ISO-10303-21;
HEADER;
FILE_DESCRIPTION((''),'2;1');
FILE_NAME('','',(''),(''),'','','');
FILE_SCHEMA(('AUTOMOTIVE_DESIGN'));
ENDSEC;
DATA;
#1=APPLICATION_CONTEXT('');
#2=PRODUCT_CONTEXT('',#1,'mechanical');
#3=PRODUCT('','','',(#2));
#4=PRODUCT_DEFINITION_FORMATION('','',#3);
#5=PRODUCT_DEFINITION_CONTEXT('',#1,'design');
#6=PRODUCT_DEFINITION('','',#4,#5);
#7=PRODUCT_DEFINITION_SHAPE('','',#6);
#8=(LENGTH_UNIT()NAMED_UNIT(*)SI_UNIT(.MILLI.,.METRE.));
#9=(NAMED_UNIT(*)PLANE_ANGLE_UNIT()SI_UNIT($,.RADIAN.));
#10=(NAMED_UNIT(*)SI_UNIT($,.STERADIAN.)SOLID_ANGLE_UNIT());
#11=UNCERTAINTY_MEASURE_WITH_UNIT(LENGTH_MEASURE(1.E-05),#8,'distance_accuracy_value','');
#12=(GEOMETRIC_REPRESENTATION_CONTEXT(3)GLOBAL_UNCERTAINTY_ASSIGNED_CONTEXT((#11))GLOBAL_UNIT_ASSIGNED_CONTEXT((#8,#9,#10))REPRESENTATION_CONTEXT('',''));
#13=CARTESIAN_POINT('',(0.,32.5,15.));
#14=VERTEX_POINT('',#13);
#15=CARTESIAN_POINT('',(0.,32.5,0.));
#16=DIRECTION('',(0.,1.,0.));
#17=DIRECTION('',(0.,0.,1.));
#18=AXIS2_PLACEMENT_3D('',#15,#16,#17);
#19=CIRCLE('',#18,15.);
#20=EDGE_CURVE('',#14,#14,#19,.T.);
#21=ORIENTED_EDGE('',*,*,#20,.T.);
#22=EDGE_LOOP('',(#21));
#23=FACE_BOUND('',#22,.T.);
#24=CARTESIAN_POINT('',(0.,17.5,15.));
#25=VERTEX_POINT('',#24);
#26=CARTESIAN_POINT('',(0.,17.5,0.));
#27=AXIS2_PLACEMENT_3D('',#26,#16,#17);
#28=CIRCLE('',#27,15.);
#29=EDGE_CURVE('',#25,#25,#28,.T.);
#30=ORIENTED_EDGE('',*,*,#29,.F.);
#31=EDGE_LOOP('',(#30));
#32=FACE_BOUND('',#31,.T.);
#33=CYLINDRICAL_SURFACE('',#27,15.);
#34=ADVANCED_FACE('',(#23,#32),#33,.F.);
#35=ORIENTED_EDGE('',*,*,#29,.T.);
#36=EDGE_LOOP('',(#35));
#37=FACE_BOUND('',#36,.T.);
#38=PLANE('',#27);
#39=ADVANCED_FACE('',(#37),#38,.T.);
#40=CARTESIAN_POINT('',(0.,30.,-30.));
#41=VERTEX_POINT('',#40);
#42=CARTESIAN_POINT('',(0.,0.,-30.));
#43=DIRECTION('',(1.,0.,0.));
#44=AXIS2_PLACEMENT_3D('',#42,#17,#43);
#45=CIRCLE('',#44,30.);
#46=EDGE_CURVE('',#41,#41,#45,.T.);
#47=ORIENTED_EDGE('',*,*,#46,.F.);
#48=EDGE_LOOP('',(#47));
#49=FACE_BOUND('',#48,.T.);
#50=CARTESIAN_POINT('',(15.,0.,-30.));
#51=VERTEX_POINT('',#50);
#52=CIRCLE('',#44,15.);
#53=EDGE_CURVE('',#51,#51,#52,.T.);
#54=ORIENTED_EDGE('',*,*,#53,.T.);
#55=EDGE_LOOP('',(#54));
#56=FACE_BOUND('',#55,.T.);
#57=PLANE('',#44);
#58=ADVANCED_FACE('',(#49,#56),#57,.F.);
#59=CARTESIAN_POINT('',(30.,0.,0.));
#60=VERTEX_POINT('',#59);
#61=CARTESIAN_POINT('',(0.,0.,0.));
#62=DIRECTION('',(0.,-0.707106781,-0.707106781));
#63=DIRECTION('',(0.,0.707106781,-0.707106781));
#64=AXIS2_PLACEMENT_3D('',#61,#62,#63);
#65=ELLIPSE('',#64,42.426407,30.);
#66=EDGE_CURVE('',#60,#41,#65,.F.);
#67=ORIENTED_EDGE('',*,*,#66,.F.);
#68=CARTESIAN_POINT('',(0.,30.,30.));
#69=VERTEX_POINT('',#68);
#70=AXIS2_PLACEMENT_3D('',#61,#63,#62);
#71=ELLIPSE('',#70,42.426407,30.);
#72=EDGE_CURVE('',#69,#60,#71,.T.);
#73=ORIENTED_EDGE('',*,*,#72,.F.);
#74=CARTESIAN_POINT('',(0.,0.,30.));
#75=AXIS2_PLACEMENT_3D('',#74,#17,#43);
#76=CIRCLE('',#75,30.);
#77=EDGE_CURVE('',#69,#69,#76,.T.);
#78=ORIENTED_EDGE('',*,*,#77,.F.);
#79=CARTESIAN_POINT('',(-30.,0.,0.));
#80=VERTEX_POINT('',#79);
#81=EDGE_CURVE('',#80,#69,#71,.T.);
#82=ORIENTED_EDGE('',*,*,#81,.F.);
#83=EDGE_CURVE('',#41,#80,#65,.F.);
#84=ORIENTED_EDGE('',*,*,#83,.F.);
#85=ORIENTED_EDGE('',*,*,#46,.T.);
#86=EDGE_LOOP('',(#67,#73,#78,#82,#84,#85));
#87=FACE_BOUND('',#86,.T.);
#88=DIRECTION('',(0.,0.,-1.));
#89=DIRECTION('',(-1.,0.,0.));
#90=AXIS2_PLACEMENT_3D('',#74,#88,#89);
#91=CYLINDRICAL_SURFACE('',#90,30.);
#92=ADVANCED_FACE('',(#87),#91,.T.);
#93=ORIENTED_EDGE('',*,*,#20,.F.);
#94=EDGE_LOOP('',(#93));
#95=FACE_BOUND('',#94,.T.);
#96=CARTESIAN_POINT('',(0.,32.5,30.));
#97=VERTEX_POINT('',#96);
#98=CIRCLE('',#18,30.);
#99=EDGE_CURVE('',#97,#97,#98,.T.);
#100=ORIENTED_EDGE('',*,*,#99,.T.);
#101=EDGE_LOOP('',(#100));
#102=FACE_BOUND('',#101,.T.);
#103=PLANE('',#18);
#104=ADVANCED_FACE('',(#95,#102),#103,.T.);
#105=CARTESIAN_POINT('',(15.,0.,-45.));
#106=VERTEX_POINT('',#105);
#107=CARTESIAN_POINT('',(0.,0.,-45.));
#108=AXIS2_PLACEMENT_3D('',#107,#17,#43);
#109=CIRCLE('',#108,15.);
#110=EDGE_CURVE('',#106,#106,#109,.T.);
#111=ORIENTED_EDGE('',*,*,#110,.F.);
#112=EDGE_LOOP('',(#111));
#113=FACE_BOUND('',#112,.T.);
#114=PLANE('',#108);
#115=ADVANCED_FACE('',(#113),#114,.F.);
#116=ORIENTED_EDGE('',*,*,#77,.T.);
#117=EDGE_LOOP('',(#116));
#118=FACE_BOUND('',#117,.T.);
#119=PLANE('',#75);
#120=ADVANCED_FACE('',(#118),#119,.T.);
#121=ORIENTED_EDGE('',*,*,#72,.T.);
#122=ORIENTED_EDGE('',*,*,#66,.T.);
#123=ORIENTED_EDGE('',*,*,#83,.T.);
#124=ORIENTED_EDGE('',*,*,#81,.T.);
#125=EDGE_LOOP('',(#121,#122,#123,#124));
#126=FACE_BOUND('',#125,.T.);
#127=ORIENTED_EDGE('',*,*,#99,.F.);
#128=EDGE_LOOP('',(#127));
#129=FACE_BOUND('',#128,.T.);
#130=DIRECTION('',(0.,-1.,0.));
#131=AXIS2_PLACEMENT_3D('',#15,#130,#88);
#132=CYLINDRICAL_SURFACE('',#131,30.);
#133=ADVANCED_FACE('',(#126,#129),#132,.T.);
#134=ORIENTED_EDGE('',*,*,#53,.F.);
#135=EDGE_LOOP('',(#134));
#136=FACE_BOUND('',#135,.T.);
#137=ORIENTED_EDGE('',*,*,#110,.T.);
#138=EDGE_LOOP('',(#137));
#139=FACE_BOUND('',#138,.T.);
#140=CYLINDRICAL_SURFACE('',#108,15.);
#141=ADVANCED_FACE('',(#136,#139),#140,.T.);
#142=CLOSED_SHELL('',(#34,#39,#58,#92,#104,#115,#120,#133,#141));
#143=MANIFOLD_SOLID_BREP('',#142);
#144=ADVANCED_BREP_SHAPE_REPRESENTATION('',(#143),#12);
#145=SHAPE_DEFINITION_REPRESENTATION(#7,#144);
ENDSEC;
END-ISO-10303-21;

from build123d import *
from build123d.topology import SkipClean

# Parameters (mm, degrees)
SKETCH1_R           = 30
SKETCH1_R_2         = 15
BOSS_EXTRUDE1_DEPTH = 30
SKETCH2_R           = 30
SKETCH2_R_2         = 15
BOSS_EXTRUDE2_DEPTH = 32.5
CUT_EXTRUDE2_START  = 32.5
SKETCH2_3_R         = 15
CUT_EXTRUDE2_DEPTH  = 15
BOSS_EXTRUDE3_START = -30
SKETCH1_4_R         = 15
BOSS_EXTRUDE3_DEPTH = 15


with BuildPart() as part:
    # Sketch1 → Boss-Extrude1 (new, symmetric)
    with BuildSketch(Plane.XY):
        Circle(SKETCH1_R)
        Circle(SKETCH1_R_2, mode=Mode.SUBTRACT)
        Circle(SKETCH1_R_2)
    extrude(amount=BOSS_EXTRUDE1_DEPTH, both=True)

    # Sketch2 → Boss-Extrude2 (add)
    with SkipClean():  # the faces are left unmerged after this step: merging them gives an invalid solid
        with BuildSketch(Plane(origin=(0, 0, 0), x_dir=(1, 0, 0), z_dir=(0, 1, 0))):
            with Locations(Location((0, 0, 0), (0, 0, 270))):
                Circle(SKETCH2_R)
            Circle(SKETCH2_R_2, mode=Mode.SUBTRACT)
            Circle(SKETCH2_R_2)
        extrude(amount=BOSS_EXTRUDE2_DEPTH)

    # Sketch2<3> → Cut-Extrude2 (cut)
    with SkipClean():  # the faces are left unmerged after this step: merging them gives an invalid solid
        with BuildSketch(Plane(origin=(0, 0, 0), x_dir=(1, 0, 0), z_dir=(0, 1, 0)).offset(CUT_EXTRUDE2_START)):
            with Locations(Location((0, 0, 0), (0, 0, 270))):
                Circle(SKETCH2_3_R)
        extrude(amount=-CUT_EXTRUDE2_DEPTH, mode=Mode.SUBTRACT)

    # Sketch1<4> → Boss-Extrude3 (add)
    with SkipClean():  # the faces are left unmerged after this step: merging them gives an invalid solid
        with BuildSketch(Plane.XY.offset(BOSS_EXTRUDE3_START)):
            Circle(SKETCH1_4_R)
        extrude(amount=-BOSS_EXTRUDE3_DEPTH)


solid = part.part
